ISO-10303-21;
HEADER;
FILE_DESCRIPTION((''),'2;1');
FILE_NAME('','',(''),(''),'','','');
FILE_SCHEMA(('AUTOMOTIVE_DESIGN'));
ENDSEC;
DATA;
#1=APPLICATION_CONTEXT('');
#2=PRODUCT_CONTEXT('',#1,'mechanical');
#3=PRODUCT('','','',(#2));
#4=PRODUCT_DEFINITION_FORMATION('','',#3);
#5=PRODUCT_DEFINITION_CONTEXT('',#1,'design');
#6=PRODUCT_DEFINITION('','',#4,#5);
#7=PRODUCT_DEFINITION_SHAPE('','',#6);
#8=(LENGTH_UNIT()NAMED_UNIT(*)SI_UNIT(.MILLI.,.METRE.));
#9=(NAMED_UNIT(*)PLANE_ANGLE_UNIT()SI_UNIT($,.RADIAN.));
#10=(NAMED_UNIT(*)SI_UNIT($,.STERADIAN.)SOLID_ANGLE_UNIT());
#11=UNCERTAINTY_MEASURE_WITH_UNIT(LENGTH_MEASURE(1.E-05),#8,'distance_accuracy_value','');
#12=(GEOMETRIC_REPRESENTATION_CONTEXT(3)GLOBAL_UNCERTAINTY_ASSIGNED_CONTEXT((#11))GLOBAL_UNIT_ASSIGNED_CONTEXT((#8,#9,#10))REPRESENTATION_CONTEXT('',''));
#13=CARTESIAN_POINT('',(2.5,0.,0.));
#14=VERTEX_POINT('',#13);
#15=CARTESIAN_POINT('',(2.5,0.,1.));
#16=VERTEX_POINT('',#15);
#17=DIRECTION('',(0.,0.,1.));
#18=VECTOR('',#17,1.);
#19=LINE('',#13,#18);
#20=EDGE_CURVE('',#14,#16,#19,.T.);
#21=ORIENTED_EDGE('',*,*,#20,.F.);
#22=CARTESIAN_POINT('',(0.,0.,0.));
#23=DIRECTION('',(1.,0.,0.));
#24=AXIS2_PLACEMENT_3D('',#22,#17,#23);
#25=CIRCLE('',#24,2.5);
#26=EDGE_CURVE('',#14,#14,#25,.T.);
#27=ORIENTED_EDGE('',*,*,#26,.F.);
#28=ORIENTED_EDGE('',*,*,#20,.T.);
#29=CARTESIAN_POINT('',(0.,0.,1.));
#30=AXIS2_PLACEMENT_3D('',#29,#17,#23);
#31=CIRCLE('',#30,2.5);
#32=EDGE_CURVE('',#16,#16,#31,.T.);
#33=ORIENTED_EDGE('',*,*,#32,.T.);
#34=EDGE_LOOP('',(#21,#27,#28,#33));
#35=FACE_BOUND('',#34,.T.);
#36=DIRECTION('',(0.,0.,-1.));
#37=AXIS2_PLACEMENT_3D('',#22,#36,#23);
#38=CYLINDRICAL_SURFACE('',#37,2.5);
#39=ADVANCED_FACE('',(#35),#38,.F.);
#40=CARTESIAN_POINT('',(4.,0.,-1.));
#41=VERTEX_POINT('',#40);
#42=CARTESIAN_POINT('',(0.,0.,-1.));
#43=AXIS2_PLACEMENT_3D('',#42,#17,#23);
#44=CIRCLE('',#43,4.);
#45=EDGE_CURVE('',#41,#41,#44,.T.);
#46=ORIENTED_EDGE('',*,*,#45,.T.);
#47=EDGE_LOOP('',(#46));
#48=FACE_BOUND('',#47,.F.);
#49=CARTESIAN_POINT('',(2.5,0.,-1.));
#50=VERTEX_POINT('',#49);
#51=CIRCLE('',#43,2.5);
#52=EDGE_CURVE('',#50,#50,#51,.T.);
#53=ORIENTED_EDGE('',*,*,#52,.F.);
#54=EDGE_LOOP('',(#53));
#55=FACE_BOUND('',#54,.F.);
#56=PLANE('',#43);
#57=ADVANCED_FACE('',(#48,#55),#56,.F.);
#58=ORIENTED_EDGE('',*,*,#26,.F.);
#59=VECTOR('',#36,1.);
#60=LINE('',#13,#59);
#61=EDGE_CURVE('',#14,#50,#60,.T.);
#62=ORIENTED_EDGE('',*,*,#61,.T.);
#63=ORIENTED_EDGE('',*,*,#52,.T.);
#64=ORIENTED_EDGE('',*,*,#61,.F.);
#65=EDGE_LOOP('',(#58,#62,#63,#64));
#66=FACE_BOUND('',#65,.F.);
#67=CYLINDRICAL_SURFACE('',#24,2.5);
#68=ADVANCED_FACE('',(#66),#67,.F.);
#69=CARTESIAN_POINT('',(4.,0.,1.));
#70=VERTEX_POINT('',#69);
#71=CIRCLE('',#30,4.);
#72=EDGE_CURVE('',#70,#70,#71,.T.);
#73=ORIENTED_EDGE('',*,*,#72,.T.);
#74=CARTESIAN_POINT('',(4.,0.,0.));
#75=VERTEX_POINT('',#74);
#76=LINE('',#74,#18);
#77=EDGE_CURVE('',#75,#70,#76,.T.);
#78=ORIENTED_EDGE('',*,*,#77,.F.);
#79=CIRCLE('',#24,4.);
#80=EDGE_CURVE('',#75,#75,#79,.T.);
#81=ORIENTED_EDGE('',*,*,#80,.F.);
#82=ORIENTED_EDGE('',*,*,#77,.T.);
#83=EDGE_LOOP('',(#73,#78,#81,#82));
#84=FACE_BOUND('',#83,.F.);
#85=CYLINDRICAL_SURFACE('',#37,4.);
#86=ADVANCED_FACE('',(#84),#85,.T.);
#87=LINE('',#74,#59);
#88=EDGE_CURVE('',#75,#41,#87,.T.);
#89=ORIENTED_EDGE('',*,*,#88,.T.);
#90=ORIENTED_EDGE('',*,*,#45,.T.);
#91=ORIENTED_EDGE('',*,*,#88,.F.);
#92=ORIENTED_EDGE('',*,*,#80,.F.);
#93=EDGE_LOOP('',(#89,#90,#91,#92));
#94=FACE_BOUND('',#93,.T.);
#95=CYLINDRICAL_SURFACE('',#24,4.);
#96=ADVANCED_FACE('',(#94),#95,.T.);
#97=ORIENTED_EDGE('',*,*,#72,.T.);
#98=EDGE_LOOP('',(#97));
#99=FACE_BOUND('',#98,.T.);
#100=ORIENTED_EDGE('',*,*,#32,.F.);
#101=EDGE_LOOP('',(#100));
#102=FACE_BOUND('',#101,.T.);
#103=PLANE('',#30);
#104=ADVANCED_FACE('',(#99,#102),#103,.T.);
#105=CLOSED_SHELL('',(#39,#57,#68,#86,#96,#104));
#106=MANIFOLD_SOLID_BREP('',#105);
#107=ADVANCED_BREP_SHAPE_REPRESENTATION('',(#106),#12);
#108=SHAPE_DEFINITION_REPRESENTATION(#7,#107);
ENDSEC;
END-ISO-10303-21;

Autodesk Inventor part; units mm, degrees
ref_plane "YZ Plane" through (0, 0, 0) normal (1, 0, 0) x (0, 1, 0)
ref_plane "XZ Plane" through (0, 0, 0) normal (0, 1, 0) x (-1, 0, 0)
ref_plane "XY Plane" through (0, 0, 0) normal (0, 0, 1) x (1, 0, 0)
sketch "Sketch1" plane through (0, 0, 0) normal (0, 0, 1) x (1, 0, 0)
  circle A0 centre (0, 0) radius 4
  circle A1 centre (0, 0) radius 2.5
  dimension "d0" = 8
  dimension "d1" = 5
extrude "Extrusion1" add sketch "Sketch1" along normal mid plane 2
properties part number "31"
